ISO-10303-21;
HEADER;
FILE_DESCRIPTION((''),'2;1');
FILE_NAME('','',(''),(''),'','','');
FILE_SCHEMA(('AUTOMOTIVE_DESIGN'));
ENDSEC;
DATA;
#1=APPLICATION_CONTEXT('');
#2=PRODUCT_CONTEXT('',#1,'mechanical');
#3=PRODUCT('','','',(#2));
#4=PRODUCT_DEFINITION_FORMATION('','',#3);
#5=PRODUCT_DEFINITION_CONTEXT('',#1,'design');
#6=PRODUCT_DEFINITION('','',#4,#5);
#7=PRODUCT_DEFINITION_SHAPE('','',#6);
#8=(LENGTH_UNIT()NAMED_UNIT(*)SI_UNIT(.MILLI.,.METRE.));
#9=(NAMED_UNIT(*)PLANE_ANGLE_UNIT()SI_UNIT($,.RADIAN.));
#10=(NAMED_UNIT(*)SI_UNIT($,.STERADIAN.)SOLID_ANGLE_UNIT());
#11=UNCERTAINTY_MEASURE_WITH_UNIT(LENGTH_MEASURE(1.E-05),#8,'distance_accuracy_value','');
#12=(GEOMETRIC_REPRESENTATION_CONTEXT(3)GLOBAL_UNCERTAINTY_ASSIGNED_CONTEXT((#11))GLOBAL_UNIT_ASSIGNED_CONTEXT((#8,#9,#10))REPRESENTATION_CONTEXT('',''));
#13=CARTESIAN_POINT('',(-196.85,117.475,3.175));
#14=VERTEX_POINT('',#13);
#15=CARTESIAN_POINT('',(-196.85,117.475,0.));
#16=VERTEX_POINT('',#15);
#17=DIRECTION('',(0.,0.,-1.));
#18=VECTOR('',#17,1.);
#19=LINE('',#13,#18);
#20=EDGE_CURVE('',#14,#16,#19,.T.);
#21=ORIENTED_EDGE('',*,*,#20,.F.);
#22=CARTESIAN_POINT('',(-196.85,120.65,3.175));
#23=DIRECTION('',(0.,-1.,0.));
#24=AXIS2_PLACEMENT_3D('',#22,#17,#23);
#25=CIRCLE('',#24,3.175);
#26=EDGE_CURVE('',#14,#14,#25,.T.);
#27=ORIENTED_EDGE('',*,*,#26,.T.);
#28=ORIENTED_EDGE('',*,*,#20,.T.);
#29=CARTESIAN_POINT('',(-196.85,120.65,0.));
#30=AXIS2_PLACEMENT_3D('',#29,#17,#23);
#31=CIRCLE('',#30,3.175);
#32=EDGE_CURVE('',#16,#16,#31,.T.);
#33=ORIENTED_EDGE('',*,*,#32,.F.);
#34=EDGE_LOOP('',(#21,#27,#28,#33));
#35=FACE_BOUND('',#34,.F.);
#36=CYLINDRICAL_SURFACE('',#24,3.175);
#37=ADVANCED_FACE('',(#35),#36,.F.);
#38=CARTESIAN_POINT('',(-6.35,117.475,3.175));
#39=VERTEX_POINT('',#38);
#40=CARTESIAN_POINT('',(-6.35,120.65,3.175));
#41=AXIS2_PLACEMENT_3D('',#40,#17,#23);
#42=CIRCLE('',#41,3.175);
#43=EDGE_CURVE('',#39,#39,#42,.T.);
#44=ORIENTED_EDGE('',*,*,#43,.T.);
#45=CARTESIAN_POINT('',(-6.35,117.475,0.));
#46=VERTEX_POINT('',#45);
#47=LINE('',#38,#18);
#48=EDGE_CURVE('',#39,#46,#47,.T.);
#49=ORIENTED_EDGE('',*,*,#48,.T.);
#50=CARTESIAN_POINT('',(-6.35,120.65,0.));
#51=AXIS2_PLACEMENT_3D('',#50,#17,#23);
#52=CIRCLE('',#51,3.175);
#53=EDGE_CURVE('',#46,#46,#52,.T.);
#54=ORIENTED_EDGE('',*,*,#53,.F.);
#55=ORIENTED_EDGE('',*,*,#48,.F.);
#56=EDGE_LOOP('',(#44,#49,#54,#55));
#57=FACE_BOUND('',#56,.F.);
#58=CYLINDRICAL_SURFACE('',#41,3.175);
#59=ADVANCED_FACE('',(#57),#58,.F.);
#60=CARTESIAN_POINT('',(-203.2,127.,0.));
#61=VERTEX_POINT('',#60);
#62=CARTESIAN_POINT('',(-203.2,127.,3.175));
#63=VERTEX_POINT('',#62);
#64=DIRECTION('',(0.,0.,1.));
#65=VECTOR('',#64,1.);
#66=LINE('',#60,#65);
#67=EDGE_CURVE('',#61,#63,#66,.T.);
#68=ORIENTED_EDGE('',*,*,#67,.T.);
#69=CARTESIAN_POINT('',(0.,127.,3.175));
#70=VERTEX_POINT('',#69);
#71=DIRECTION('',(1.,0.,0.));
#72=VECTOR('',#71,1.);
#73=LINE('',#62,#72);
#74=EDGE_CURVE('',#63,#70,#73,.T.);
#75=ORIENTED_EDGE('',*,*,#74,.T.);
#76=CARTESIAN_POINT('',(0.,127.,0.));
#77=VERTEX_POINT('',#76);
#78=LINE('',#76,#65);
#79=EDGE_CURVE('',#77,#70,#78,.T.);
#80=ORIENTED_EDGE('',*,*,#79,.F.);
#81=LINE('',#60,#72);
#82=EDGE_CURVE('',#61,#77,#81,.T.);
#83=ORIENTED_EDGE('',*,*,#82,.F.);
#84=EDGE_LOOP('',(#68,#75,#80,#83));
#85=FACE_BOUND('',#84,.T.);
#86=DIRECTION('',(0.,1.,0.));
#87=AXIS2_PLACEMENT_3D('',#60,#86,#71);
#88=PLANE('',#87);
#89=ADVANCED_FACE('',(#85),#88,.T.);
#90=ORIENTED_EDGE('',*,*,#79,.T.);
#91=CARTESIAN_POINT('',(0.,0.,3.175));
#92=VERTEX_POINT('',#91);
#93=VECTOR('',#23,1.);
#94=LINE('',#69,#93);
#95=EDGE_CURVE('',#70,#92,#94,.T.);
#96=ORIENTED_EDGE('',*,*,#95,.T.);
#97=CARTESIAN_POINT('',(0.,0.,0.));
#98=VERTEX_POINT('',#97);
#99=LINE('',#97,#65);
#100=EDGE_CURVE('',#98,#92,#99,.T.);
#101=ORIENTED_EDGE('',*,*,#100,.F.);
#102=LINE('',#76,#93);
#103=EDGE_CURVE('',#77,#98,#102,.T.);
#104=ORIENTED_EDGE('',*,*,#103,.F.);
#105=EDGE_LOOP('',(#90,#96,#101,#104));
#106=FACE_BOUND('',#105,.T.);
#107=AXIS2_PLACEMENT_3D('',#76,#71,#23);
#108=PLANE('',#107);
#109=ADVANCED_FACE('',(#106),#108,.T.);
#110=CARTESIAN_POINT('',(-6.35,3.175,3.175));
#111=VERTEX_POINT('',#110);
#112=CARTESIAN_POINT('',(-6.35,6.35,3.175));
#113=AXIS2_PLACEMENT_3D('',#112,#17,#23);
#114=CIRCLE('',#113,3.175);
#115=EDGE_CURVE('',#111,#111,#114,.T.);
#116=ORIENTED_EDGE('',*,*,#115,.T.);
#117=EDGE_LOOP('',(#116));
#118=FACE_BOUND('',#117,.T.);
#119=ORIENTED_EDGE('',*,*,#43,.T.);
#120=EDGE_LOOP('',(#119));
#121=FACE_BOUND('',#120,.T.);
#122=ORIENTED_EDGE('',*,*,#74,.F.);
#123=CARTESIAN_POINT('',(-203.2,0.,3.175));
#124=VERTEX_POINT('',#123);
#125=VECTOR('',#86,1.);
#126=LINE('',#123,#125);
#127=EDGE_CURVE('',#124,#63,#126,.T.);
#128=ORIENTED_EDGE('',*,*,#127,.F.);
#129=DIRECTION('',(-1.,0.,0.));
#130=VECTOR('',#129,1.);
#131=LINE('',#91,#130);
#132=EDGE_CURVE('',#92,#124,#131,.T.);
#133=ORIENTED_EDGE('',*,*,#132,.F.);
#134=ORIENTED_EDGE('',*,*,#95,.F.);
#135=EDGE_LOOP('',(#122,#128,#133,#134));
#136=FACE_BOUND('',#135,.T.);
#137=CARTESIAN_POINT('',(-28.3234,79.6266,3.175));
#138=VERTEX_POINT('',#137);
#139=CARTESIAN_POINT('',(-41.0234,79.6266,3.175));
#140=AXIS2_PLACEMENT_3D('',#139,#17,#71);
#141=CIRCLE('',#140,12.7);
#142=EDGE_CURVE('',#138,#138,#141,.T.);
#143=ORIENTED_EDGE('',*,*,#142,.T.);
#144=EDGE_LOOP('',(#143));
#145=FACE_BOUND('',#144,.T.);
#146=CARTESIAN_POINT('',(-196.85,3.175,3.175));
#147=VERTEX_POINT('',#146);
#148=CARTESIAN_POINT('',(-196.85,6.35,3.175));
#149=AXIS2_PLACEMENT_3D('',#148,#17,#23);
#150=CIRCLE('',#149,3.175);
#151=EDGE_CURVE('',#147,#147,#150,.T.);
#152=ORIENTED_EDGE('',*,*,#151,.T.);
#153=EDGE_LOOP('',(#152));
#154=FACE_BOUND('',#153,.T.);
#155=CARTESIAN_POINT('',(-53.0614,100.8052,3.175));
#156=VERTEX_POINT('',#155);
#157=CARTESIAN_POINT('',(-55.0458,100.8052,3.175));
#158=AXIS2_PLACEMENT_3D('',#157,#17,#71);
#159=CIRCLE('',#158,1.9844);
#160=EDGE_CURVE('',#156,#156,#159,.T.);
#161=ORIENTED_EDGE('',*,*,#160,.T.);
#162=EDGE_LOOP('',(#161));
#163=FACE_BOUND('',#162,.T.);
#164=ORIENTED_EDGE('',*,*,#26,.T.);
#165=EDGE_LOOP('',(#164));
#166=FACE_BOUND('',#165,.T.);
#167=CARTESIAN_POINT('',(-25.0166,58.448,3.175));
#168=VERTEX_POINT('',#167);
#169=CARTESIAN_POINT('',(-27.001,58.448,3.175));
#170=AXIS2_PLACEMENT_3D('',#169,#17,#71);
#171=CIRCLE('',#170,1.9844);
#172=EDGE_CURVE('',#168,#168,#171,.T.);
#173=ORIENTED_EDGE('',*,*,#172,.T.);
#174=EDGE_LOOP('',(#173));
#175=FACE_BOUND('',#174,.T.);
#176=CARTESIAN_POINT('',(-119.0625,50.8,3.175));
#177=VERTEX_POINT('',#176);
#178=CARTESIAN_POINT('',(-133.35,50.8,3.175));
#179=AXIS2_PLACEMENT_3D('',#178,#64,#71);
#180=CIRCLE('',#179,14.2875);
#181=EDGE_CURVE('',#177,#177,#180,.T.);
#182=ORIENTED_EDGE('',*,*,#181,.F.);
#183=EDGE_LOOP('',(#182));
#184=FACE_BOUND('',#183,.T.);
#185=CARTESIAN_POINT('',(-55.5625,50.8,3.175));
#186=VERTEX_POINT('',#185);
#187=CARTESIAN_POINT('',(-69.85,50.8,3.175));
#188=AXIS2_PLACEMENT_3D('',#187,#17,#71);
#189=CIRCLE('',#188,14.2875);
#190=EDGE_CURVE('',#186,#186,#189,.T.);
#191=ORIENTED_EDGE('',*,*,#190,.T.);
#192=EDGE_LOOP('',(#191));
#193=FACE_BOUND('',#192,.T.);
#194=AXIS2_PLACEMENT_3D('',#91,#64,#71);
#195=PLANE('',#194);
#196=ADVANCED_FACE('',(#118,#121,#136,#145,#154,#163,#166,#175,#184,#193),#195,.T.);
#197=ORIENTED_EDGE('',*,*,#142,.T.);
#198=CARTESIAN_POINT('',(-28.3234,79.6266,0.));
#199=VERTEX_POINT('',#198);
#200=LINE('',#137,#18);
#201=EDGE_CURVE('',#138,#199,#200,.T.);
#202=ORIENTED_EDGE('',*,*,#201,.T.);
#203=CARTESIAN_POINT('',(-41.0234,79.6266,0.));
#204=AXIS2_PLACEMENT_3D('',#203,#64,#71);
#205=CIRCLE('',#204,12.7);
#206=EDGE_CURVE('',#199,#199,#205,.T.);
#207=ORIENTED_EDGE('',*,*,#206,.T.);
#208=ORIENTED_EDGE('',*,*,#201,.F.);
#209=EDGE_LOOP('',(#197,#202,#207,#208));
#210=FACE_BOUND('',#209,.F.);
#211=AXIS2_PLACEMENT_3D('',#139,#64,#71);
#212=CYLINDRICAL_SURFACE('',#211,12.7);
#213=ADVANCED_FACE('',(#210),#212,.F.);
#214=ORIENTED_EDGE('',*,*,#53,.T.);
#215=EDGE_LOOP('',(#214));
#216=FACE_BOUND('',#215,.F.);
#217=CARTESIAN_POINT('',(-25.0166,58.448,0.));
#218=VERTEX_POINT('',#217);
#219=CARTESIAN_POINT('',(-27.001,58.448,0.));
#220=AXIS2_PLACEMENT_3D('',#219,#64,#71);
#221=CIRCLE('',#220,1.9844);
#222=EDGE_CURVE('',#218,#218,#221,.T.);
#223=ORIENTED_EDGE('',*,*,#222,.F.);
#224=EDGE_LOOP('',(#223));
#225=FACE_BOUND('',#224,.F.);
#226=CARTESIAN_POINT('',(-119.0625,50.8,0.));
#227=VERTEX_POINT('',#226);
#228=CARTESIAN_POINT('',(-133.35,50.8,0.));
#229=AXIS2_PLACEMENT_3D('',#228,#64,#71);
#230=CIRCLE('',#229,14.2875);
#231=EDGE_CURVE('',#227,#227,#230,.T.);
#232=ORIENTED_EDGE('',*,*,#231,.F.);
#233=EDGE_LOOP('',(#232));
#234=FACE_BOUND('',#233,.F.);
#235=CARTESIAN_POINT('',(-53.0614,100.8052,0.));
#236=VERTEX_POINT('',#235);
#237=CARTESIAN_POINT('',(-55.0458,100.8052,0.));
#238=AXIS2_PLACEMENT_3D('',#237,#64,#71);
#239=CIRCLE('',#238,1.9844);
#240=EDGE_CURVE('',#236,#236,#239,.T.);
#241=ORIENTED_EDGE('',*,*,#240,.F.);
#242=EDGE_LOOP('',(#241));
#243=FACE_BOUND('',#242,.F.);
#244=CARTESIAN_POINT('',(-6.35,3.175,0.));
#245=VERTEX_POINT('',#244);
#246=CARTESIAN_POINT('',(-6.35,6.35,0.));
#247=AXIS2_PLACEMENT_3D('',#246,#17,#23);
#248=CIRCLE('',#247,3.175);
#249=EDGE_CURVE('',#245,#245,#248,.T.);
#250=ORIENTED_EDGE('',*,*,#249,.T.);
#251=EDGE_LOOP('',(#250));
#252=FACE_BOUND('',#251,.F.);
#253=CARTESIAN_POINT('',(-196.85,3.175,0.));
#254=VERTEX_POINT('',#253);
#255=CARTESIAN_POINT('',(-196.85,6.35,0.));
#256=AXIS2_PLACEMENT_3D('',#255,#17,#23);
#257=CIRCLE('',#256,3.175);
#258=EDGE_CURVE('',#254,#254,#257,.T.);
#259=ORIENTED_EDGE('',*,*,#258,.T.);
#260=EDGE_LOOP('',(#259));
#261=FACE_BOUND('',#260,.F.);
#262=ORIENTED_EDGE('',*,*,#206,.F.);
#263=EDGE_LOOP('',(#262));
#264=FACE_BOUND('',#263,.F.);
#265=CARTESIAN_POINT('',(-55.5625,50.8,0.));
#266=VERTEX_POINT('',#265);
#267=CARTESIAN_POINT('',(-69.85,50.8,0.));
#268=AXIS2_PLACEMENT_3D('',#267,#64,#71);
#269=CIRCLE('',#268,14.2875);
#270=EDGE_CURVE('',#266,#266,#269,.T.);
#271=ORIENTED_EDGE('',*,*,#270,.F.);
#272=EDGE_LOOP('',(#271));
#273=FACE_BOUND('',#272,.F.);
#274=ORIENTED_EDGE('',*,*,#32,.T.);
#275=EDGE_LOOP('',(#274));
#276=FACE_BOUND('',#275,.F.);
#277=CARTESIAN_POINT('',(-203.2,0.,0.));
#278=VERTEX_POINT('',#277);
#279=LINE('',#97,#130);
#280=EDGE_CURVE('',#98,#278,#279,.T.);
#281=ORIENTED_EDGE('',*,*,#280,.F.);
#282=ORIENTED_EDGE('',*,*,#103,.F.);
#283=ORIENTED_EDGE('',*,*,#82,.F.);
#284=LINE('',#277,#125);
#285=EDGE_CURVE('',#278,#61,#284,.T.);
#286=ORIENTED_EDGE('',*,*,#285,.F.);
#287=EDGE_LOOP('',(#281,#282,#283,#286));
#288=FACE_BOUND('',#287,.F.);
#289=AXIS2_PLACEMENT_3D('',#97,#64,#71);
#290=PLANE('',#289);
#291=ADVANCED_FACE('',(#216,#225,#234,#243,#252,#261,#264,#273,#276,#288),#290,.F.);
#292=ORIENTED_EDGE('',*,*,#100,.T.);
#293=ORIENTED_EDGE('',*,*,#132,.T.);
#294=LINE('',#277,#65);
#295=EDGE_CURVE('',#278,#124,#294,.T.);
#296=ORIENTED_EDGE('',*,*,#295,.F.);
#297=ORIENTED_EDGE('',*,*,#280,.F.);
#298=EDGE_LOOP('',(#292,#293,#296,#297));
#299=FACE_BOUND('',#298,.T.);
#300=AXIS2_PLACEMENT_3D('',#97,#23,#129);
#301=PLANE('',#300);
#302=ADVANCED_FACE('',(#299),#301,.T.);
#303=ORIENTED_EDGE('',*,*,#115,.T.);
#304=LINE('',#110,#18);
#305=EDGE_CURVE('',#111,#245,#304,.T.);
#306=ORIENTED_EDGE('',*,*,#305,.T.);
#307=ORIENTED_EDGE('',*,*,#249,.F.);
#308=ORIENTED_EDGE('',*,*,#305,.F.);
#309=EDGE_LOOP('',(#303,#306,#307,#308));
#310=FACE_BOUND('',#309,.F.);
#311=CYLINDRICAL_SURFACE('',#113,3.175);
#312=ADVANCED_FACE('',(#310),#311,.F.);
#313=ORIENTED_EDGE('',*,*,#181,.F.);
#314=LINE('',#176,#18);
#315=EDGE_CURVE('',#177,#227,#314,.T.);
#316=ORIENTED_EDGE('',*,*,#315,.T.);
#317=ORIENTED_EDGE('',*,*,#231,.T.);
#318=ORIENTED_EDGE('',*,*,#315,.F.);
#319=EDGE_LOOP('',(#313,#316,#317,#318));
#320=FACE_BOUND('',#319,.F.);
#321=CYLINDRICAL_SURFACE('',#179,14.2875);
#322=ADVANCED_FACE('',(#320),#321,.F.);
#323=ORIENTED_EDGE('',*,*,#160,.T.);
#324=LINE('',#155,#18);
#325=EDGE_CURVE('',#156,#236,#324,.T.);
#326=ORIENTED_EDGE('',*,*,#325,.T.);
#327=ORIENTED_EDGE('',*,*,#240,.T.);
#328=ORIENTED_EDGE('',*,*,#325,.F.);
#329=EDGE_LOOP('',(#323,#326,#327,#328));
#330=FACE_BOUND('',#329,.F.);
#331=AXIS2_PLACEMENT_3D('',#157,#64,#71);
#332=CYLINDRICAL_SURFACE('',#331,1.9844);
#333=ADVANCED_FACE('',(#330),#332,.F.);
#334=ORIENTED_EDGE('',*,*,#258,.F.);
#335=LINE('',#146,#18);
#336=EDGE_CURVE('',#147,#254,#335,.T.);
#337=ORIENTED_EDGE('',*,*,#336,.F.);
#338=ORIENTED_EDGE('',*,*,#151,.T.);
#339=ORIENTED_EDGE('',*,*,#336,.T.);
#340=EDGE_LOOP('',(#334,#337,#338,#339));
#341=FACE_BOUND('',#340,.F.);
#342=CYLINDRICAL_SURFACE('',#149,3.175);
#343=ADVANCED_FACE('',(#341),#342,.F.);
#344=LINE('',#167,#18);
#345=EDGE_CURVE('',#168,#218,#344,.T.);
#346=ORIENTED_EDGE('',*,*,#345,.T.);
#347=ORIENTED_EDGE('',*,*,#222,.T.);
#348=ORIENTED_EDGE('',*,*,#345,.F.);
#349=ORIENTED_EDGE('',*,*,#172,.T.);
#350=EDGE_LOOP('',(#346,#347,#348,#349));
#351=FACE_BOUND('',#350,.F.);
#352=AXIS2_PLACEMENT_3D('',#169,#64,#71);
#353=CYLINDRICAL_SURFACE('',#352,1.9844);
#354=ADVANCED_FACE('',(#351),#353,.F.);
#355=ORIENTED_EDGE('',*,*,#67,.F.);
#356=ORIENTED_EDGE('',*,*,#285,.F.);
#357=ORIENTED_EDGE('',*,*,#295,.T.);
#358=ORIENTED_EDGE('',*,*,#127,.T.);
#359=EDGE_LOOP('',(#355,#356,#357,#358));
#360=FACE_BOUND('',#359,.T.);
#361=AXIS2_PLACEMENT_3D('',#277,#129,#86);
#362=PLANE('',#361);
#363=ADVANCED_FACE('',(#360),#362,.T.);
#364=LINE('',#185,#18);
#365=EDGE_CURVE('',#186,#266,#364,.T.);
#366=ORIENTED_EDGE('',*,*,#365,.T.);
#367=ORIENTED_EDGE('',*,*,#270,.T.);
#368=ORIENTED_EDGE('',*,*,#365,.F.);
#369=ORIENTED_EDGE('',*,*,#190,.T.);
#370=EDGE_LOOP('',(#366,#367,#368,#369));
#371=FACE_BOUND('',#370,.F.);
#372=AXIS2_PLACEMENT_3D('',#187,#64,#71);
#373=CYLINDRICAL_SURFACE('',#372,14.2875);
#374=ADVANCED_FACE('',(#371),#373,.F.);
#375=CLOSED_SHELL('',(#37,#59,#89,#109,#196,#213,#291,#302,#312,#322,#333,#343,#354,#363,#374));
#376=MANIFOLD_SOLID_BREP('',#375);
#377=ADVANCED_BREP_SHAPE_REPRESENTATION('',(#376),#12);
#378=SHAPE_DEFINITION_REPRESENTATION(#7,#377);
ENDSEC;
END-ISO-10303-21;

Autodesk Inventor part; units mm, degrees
ref_plane "YZ Plane" through (0, 0, 0) normal (1, 0, 0) x (0, 1, 0)
ref_plane "XZ Plane" through (0, 0, 0) normal (0, 1, 0) x (-1, 0, 0)
sketch "Sketch1" plane through (0, 0, 0) normal (0, 0, 1) x (1, 0, 0)
  line L0 (0, 0) -> (-203.2, 0)
  line L1 (-203.2, 0) -> (-203.2, 127)
  line L2 (-203.2, 127) -> (0, 127)
  line L3 (0, 127) -> (0, 0)
  dimension "d0" = 127
  dimension "d1" = 203.2
extrude "Extrusion1" add sketch "Sketch1" along normal blind 3.175
sketch "Sketch2" plane through (0, 0, 3.175) normal (0, 0, 1) x (1, 0, 0)
  circle A0 centre (-69.85, 50.8) radius 14.2875
  line L0 (0, 0) -> (0, 127) projected
  line L1 (-203.2, 0) -> (0, 0) projected
  circle A1 centre (-133.35, 50.8) radius 14.2875
  line L2 (-101.6, 0) -> (-101.6, 50.8)
  line L3 (-101.6, 50.8) -> (-69.85, 50.8)
  line L4 (-69.85, 50.8) -> (-133.35, 50.8)
  dimension "d4" = 28.575
  dimension "d8" = 28.575
  dimension "d9" = 50.8
  dimension "d28" = 63.5
  dimension "d29" = 31.75
extrude "Extrusion2" cut sketch "Sketch2" against normal blind 3.175
sketch "Sketch3" plane through (0, 0, 3.175) normal (0, 0, 1) x (1, 0, 0)
  circle A0 centre (-6.35, 6.35) radius 3.175
  line L0 (0, 0) -> (0, 127) projected
  line L1 (-203.2, 0) -> (0, 0) projected
  circle A1 centre (-6.35, 120.65) radius 3.175
  line L2 (0, 127) -> (-203.2, 127) projected
  circle A2 centre (-196.85, 120.65) radius 3.175
  circle A3 centre (-196.85, 6.35) radius 3.175
  line L3 (-203.2, 127) -> (-203.2, 0) projected
  dimension "d12" = 6.35
  dimension "d13" = 6.35
  dimension "d14" = 6.35
  dimension "d15" = 6.35
  dimension "d16" = 6.35
  dimension "d17" = 6.35
  dimension "d18" = 6.35
  dimension "d19" = 6.35
  dimension "d20" = 6.35
  dimension "d30" = 6.35
  dimension "d31" = 6.35
  dimension "d32" = 6.35
hole "Hole1" at (-196.85, 120.65, 3.175) at (-196.85, 6.35, 3.175) at (-6.35, 6.35, 3.175) at (-6.35, 120.65, 3.175) direction (0, 0, -1) diameter 6.35 end through all
ref_plane "Work Plane1" through (-101.6, 0, 0) normal (1, 0, 0) x (0, 0, -1)
sketch "Sketch4" plane through (0, 0, 3.175) normal (0, 0, 1) x (1, 0, 0)
  circle A0 centre (-69.85, 50.8) radius 14.2875 projected
  line L0 (-69.85, 50.8) -> (-41.0234, 79.6266)
  line L1 (-69.85, 50.8) -> (-23.1148, 50.8)
  circle A1 centre (-41.0234, 79.6266) radius 12.7
  point P0 (0, 0)
  dimension "d33" = 40.767
  dimension "d34" = 315
  dimension "d35" = 25.4
extrude "Extrusion3" cut sketch "Sketch4" against normal through all contours A1
sketch "Sketch5" plane through (0, 0, 3.175) normal (0, 0, 1) x (1, 0, 0)
  circle A0 centre (-41.0234, 79.6266) radius 12.7 projected
  line L0 (-41.0234, 79.6266) -> (-27.001, 58.448)
  line L1 (-41.0234, 79.6266) -> (-19.8448, 93.649)
  line L2 (-41.0234, 79.6266) -> (-55.0458, 100.8052)
  circle A1 centre (-55.0458, 100.8052) radius 1.9844
  circle A2 centre (-19.8448, 93.649) radius 1.9844
  circle A3 centre (-27.001, 58.448) radius 1.9844
  point P0 (0, 0)
  dimension "d38" = 25.4
  dimension "d39" = 25.4
  dimension "d40" = 25.4
  dimension "d41" = 3.9688
  dimension "d42" = 3.9688
  dimension "d43" = 3.9688
extrude "Extrusion4" cut sketch "Sketch5" against normal blind 25.4 contours A3 | A1
equation "\"d29\" = 0.5 * d28"
properties part number "Gearbox plate"
